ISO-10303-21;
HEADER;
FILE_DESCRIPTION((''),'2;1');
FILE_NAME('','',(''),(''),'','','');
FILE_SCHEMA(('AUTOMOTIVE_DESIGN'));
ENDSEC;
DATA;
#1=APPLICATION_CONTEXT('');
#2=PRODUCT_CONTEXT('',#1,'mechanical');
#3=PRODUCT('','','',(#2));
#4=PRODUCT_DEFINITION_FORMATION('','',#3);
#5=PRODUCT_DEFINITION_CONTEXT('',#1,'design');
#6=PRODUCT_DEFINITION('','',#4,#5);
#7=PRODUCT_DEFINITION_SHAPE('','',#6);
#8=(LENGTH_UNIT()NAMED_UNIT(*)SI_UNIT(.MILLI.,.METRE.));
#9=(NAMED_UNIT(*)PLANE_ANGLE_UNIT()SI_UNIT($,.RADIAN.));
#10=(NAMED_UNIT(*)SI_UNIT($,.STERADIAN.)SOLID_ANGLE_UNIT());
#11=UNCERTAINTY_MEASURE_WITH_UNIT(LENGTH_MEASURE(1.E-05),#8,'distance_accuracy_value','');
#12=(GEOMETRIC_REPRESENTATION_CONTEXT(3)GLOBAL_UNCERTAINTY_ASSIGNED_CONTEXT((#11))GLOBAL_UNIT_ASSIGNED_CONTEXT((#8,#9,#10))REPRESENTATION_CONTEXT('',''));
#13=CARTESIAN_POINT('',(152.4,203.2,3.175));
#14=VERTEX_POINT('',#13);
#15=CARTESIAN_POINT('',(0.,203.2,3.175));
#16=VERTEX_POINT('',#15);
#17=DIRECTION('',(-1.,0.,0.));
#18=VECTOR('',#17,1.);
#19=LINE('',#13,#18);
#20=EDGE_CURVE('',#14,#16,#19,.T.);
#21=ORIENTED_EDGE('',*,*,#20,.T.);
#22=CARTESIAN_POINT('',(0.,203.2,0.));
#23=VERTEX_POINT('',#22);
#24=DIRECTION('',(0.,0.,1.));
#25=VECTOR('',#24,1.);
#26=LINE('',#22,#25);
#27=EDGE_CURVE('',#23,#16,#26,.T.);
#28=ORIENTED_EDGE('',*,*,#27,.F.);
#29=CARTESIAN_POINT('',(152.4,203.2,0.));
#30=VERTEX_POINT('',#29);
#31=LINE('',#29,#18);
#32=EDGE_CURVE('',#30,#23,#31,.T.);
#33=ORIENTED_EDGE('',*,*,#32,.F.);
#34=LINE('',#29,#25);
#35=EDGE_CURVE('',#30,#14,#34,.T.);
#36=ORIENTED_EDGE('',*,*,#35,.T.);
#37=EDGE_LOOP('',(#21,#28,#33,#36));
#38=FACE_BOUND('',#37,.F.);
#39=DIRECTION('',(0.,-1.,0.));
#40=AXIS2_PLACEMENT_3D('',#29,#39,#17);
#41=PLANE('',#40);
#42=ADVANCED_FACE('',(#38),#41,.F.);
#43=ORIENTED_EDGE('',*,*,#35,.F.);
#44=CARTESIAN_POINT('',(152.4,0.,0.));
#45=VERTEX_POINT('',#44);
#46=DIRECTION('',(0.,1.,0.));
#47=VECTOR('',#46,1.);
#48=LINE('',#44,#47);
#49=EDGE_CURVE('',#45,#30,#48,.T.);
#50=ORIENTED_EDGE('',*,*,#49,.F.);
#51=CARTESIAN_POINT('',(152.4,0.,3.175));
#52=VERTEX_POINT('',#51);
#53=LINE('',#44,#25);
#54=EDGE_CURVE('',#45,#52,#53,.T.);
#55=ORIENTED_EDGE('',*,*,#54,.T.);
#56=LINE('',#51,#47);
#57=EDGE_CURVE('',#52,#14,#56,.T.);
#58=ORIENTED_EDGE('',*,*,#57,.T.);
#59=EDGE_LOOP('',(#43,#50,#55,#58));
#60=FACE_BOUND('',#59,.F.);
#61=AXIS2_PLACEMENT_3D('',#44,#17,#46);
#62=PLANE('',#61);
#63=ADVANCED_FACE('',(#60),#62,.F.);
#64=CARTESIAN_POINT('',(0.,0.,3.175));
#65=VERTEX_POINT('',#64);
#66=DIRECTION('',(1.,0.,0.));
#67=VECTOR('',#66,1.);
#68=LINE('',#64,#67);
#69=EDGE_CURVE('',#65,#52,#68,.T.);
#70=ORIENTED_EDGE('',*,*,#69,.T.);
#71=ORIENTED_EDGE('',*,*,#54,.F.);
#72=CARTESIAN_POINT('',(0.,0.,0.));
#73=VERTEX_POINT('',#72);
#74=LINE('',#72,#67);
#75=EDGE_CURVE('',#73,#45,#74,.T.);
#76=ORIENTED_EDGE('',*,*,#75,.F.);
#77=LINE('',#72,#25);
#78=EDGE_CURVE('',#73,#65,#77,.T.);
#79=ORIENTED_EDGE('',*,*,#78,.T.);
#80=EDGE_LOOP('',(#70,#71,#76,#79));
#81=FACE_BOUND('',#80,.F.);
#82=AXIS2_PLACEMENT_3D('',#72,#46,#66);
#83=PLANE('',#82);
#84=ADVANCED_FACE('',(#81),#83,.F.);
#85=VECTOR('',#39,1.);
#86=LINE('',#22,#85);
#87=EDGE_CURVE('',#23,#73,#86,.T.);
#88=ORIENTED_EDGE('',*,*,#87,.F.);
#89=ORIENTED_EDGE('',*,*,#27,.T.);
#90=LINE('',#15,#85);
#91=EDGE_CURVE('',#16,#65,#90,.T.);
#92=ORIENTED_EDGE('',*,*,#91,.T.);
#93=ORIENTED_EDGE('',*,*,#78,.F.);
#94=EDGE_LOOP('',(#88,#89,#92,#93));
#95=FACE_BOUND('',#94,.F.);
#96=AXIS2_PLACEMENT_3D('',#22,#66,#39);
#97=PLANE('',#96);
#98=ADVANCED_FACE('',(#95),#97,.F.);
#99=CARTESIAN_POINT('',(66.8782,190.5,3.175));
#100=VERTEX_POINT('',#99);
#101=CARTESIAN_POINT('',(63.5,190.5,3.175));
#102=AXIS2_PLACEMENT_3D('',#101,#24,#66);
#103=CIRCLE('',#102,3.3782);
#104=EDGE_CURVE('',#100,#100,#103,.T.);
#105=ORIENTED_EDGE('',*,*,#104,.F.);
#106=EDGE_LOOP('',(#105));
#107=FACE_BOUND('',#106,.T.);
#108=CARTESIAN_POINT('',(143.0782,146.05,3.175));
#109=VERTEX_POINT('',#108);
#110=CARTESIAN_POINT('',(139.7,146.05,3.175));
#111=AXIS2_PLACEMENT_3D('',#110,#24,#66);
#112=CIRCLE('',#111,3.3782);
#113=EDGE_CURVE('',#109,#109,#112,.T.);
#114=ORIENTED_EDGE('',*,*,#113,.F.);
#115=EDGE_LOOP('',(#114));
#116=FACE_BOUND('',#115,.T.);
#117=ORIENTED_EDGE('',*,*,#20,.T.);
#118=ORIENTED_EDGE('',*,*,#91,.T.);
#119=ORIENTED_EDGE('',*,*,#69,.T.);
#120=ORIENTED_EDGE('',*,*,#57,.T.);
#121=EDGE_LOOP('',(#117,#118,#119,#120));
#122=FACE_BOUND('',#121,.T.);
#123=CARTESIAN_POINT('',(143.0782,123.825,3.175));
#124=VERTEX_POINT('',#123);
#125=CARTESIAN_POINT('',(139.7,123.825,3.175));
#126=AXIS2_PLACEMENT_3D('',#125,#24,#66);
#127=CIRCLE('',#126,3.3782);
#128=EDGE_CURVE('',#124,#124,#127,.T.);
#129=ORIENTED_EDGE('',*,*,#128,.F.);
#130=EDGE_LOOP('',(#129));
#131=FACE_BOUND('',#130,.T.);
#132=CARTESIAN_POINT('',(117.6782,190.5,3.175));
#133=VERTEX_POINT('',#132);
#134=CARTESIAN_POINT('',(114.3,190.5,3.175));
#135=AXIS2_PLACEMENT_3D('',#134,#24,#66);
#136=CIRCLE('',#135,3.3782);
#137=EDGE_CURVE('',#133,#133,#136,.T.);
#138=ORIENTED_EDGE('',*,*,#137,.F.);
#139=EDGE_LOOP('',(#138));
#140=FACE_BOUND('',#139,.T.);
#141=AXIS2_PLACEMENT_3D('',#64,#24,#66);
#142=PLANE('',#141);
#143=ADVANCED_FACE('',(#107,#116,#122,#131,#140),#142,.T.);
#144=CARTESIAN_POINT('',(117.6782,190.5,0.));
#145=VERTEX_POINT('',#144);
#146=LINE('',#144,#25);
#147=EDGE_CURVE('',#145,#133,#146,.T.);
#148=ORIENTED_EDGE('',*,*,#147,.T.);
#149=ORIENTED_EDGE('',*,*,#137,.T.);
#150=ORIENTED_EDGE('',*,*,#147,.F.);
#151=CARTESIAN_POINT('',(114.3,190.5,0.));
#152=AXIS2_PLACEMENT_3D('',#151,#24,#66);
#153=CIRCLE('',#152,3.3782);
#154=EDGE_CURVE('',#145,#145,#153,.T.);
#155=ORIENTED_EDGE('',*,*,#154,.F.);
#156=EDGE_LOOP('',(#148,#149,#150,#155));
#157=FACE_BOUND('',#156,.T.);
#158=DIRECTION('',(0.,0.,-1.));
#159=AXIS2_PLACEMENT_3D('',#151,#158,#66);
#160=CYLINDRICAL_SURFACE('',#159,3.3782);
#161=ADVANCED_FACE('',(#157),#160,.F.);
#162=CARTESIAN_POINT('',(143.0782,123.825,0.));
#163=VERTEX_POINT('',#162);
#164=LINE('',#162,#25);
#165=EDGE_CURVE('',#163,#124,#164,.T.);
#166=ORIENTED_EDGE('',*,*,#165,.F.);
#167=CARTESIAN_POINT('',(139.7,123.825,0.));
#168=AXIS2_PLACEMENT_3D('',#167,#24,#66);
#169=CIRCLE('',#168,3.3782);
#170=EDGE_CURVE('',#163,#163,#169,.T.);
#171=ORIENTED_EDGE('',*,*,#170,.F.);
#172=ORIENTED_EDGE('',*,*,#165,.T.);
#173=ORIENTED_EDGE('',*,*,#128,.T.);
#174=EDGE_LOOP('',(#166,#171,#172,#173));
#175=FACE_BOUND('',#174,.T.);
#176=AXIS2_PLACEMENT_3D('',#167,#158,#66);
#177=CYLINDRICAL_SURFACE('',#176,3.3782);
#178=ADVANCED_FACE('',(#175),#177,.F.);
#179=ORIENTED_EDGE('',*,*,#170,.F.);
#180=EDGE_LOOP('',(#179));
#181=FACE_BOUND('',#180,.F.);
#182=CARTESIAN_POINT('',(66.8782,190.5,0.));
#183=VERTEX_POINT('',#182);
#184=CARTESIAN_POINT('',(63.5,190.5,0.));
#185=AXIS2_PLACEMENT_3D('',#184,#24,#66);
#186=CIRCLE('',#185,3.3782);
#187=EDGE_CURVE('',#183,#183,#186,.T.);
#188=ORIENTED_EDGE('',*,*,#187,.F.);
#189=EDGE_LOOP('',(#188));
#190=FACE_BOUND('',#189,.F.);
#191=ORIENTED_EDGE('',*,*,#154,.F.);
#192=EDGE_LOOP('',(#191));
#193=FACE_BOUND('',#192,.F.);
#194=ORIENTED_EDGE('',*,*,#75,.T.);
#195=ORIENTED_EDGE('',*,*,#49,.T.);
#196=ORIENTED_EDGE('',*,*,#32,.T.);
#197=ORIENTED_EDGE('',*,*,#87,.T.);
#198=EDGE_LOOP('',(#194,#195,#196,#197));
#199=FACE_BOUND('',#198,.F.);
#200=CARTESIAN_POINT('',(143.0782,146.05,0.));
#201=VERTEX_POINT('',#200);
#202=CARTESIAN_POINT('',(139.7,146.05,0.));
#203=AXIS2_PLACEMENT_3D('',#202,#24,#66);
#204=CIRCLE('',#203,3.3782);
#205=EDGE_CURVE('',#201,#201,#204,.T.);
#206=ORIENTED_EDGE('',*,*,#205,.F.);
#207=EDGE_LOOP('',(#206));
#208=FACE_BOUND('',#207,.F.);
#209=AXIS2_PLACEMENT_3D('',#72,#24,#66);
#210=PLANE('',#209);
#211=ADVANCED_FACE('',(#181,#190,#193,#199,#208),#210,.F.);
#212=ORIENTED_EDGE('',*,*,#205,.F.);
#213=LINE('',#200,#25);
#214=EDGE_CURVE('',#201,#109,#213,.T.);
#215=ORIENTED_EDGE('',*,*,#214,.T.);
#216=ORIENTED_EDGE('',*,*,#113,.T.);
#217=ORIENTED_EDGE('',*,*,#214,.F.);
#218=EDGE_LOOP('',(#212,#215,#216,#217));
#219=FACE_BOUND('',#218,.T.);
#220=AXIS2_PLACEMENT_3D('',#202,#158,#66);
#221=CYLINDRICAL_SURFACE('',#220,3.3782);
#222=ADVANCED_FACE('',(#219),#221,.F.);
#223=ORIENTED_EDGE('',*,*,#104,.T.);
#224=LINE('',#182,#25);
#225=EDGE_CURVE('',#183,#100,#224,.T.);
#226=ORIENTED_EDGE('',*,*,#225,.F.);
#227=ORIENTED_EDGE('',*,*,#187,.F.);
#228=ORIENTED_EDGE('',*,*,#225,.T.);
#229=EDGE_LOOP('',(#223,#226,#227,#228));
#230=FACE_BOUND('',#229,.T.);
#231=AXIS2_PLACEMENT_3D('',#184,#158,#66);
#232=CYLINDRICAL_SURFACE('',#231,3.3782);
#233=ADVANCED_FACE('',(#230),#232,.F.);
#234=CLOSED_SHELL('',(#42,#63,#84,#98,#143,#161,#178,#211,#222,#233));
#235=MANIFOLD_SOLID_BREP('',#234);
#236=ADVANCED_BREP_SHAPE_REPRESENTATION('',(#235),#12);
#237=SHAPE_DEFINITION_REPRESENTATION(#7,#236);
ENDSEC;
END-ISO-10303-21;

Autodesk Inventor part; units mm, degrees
ref_plane "YZ Plane" through (0, 0, 0) normal (1, 0, 0) x (0, 1, 0)
ref_plane "XZ Plane" through (0, 0, 0) normal (0, 1, 0) x (-1, 0, 0)
ref_plane "XY Plane" through (0, 0, 0) normal (0, 0, 1) x (1, 0, 0)
sketch "Sketch1" plane through (0, 0, 0) normal (0, 0, 1) x (1, 0, 0)
  line L0 (0, 0) -> (152.4, 0)
  line L1 (152.4, 0) -> (152.4, 203.2)
  line L2 (152.4, 203.2) -> (0, 203.2)
  line L3 (0, 203.2) -> (0, 0)
  circle A0 centre (63.5, 190.5) radius 3.3782 projected
  circle A1 centre (139.7, 146.05) radius 3.3782 projected
  circle A2 centre (139.7, 123.825) radius 3.3782 projected
  circle A3 centre (114.3, 190.5) radius 3.3782 projected
  dimension "d0" = 152.4
  dimension "d1" = 203.2
extrude "Extrusion1" add sketch "Sketch1" along normal blind 3.175
properties part number "Wireless Mounting Board" material "Polycarbonate, Clear"
